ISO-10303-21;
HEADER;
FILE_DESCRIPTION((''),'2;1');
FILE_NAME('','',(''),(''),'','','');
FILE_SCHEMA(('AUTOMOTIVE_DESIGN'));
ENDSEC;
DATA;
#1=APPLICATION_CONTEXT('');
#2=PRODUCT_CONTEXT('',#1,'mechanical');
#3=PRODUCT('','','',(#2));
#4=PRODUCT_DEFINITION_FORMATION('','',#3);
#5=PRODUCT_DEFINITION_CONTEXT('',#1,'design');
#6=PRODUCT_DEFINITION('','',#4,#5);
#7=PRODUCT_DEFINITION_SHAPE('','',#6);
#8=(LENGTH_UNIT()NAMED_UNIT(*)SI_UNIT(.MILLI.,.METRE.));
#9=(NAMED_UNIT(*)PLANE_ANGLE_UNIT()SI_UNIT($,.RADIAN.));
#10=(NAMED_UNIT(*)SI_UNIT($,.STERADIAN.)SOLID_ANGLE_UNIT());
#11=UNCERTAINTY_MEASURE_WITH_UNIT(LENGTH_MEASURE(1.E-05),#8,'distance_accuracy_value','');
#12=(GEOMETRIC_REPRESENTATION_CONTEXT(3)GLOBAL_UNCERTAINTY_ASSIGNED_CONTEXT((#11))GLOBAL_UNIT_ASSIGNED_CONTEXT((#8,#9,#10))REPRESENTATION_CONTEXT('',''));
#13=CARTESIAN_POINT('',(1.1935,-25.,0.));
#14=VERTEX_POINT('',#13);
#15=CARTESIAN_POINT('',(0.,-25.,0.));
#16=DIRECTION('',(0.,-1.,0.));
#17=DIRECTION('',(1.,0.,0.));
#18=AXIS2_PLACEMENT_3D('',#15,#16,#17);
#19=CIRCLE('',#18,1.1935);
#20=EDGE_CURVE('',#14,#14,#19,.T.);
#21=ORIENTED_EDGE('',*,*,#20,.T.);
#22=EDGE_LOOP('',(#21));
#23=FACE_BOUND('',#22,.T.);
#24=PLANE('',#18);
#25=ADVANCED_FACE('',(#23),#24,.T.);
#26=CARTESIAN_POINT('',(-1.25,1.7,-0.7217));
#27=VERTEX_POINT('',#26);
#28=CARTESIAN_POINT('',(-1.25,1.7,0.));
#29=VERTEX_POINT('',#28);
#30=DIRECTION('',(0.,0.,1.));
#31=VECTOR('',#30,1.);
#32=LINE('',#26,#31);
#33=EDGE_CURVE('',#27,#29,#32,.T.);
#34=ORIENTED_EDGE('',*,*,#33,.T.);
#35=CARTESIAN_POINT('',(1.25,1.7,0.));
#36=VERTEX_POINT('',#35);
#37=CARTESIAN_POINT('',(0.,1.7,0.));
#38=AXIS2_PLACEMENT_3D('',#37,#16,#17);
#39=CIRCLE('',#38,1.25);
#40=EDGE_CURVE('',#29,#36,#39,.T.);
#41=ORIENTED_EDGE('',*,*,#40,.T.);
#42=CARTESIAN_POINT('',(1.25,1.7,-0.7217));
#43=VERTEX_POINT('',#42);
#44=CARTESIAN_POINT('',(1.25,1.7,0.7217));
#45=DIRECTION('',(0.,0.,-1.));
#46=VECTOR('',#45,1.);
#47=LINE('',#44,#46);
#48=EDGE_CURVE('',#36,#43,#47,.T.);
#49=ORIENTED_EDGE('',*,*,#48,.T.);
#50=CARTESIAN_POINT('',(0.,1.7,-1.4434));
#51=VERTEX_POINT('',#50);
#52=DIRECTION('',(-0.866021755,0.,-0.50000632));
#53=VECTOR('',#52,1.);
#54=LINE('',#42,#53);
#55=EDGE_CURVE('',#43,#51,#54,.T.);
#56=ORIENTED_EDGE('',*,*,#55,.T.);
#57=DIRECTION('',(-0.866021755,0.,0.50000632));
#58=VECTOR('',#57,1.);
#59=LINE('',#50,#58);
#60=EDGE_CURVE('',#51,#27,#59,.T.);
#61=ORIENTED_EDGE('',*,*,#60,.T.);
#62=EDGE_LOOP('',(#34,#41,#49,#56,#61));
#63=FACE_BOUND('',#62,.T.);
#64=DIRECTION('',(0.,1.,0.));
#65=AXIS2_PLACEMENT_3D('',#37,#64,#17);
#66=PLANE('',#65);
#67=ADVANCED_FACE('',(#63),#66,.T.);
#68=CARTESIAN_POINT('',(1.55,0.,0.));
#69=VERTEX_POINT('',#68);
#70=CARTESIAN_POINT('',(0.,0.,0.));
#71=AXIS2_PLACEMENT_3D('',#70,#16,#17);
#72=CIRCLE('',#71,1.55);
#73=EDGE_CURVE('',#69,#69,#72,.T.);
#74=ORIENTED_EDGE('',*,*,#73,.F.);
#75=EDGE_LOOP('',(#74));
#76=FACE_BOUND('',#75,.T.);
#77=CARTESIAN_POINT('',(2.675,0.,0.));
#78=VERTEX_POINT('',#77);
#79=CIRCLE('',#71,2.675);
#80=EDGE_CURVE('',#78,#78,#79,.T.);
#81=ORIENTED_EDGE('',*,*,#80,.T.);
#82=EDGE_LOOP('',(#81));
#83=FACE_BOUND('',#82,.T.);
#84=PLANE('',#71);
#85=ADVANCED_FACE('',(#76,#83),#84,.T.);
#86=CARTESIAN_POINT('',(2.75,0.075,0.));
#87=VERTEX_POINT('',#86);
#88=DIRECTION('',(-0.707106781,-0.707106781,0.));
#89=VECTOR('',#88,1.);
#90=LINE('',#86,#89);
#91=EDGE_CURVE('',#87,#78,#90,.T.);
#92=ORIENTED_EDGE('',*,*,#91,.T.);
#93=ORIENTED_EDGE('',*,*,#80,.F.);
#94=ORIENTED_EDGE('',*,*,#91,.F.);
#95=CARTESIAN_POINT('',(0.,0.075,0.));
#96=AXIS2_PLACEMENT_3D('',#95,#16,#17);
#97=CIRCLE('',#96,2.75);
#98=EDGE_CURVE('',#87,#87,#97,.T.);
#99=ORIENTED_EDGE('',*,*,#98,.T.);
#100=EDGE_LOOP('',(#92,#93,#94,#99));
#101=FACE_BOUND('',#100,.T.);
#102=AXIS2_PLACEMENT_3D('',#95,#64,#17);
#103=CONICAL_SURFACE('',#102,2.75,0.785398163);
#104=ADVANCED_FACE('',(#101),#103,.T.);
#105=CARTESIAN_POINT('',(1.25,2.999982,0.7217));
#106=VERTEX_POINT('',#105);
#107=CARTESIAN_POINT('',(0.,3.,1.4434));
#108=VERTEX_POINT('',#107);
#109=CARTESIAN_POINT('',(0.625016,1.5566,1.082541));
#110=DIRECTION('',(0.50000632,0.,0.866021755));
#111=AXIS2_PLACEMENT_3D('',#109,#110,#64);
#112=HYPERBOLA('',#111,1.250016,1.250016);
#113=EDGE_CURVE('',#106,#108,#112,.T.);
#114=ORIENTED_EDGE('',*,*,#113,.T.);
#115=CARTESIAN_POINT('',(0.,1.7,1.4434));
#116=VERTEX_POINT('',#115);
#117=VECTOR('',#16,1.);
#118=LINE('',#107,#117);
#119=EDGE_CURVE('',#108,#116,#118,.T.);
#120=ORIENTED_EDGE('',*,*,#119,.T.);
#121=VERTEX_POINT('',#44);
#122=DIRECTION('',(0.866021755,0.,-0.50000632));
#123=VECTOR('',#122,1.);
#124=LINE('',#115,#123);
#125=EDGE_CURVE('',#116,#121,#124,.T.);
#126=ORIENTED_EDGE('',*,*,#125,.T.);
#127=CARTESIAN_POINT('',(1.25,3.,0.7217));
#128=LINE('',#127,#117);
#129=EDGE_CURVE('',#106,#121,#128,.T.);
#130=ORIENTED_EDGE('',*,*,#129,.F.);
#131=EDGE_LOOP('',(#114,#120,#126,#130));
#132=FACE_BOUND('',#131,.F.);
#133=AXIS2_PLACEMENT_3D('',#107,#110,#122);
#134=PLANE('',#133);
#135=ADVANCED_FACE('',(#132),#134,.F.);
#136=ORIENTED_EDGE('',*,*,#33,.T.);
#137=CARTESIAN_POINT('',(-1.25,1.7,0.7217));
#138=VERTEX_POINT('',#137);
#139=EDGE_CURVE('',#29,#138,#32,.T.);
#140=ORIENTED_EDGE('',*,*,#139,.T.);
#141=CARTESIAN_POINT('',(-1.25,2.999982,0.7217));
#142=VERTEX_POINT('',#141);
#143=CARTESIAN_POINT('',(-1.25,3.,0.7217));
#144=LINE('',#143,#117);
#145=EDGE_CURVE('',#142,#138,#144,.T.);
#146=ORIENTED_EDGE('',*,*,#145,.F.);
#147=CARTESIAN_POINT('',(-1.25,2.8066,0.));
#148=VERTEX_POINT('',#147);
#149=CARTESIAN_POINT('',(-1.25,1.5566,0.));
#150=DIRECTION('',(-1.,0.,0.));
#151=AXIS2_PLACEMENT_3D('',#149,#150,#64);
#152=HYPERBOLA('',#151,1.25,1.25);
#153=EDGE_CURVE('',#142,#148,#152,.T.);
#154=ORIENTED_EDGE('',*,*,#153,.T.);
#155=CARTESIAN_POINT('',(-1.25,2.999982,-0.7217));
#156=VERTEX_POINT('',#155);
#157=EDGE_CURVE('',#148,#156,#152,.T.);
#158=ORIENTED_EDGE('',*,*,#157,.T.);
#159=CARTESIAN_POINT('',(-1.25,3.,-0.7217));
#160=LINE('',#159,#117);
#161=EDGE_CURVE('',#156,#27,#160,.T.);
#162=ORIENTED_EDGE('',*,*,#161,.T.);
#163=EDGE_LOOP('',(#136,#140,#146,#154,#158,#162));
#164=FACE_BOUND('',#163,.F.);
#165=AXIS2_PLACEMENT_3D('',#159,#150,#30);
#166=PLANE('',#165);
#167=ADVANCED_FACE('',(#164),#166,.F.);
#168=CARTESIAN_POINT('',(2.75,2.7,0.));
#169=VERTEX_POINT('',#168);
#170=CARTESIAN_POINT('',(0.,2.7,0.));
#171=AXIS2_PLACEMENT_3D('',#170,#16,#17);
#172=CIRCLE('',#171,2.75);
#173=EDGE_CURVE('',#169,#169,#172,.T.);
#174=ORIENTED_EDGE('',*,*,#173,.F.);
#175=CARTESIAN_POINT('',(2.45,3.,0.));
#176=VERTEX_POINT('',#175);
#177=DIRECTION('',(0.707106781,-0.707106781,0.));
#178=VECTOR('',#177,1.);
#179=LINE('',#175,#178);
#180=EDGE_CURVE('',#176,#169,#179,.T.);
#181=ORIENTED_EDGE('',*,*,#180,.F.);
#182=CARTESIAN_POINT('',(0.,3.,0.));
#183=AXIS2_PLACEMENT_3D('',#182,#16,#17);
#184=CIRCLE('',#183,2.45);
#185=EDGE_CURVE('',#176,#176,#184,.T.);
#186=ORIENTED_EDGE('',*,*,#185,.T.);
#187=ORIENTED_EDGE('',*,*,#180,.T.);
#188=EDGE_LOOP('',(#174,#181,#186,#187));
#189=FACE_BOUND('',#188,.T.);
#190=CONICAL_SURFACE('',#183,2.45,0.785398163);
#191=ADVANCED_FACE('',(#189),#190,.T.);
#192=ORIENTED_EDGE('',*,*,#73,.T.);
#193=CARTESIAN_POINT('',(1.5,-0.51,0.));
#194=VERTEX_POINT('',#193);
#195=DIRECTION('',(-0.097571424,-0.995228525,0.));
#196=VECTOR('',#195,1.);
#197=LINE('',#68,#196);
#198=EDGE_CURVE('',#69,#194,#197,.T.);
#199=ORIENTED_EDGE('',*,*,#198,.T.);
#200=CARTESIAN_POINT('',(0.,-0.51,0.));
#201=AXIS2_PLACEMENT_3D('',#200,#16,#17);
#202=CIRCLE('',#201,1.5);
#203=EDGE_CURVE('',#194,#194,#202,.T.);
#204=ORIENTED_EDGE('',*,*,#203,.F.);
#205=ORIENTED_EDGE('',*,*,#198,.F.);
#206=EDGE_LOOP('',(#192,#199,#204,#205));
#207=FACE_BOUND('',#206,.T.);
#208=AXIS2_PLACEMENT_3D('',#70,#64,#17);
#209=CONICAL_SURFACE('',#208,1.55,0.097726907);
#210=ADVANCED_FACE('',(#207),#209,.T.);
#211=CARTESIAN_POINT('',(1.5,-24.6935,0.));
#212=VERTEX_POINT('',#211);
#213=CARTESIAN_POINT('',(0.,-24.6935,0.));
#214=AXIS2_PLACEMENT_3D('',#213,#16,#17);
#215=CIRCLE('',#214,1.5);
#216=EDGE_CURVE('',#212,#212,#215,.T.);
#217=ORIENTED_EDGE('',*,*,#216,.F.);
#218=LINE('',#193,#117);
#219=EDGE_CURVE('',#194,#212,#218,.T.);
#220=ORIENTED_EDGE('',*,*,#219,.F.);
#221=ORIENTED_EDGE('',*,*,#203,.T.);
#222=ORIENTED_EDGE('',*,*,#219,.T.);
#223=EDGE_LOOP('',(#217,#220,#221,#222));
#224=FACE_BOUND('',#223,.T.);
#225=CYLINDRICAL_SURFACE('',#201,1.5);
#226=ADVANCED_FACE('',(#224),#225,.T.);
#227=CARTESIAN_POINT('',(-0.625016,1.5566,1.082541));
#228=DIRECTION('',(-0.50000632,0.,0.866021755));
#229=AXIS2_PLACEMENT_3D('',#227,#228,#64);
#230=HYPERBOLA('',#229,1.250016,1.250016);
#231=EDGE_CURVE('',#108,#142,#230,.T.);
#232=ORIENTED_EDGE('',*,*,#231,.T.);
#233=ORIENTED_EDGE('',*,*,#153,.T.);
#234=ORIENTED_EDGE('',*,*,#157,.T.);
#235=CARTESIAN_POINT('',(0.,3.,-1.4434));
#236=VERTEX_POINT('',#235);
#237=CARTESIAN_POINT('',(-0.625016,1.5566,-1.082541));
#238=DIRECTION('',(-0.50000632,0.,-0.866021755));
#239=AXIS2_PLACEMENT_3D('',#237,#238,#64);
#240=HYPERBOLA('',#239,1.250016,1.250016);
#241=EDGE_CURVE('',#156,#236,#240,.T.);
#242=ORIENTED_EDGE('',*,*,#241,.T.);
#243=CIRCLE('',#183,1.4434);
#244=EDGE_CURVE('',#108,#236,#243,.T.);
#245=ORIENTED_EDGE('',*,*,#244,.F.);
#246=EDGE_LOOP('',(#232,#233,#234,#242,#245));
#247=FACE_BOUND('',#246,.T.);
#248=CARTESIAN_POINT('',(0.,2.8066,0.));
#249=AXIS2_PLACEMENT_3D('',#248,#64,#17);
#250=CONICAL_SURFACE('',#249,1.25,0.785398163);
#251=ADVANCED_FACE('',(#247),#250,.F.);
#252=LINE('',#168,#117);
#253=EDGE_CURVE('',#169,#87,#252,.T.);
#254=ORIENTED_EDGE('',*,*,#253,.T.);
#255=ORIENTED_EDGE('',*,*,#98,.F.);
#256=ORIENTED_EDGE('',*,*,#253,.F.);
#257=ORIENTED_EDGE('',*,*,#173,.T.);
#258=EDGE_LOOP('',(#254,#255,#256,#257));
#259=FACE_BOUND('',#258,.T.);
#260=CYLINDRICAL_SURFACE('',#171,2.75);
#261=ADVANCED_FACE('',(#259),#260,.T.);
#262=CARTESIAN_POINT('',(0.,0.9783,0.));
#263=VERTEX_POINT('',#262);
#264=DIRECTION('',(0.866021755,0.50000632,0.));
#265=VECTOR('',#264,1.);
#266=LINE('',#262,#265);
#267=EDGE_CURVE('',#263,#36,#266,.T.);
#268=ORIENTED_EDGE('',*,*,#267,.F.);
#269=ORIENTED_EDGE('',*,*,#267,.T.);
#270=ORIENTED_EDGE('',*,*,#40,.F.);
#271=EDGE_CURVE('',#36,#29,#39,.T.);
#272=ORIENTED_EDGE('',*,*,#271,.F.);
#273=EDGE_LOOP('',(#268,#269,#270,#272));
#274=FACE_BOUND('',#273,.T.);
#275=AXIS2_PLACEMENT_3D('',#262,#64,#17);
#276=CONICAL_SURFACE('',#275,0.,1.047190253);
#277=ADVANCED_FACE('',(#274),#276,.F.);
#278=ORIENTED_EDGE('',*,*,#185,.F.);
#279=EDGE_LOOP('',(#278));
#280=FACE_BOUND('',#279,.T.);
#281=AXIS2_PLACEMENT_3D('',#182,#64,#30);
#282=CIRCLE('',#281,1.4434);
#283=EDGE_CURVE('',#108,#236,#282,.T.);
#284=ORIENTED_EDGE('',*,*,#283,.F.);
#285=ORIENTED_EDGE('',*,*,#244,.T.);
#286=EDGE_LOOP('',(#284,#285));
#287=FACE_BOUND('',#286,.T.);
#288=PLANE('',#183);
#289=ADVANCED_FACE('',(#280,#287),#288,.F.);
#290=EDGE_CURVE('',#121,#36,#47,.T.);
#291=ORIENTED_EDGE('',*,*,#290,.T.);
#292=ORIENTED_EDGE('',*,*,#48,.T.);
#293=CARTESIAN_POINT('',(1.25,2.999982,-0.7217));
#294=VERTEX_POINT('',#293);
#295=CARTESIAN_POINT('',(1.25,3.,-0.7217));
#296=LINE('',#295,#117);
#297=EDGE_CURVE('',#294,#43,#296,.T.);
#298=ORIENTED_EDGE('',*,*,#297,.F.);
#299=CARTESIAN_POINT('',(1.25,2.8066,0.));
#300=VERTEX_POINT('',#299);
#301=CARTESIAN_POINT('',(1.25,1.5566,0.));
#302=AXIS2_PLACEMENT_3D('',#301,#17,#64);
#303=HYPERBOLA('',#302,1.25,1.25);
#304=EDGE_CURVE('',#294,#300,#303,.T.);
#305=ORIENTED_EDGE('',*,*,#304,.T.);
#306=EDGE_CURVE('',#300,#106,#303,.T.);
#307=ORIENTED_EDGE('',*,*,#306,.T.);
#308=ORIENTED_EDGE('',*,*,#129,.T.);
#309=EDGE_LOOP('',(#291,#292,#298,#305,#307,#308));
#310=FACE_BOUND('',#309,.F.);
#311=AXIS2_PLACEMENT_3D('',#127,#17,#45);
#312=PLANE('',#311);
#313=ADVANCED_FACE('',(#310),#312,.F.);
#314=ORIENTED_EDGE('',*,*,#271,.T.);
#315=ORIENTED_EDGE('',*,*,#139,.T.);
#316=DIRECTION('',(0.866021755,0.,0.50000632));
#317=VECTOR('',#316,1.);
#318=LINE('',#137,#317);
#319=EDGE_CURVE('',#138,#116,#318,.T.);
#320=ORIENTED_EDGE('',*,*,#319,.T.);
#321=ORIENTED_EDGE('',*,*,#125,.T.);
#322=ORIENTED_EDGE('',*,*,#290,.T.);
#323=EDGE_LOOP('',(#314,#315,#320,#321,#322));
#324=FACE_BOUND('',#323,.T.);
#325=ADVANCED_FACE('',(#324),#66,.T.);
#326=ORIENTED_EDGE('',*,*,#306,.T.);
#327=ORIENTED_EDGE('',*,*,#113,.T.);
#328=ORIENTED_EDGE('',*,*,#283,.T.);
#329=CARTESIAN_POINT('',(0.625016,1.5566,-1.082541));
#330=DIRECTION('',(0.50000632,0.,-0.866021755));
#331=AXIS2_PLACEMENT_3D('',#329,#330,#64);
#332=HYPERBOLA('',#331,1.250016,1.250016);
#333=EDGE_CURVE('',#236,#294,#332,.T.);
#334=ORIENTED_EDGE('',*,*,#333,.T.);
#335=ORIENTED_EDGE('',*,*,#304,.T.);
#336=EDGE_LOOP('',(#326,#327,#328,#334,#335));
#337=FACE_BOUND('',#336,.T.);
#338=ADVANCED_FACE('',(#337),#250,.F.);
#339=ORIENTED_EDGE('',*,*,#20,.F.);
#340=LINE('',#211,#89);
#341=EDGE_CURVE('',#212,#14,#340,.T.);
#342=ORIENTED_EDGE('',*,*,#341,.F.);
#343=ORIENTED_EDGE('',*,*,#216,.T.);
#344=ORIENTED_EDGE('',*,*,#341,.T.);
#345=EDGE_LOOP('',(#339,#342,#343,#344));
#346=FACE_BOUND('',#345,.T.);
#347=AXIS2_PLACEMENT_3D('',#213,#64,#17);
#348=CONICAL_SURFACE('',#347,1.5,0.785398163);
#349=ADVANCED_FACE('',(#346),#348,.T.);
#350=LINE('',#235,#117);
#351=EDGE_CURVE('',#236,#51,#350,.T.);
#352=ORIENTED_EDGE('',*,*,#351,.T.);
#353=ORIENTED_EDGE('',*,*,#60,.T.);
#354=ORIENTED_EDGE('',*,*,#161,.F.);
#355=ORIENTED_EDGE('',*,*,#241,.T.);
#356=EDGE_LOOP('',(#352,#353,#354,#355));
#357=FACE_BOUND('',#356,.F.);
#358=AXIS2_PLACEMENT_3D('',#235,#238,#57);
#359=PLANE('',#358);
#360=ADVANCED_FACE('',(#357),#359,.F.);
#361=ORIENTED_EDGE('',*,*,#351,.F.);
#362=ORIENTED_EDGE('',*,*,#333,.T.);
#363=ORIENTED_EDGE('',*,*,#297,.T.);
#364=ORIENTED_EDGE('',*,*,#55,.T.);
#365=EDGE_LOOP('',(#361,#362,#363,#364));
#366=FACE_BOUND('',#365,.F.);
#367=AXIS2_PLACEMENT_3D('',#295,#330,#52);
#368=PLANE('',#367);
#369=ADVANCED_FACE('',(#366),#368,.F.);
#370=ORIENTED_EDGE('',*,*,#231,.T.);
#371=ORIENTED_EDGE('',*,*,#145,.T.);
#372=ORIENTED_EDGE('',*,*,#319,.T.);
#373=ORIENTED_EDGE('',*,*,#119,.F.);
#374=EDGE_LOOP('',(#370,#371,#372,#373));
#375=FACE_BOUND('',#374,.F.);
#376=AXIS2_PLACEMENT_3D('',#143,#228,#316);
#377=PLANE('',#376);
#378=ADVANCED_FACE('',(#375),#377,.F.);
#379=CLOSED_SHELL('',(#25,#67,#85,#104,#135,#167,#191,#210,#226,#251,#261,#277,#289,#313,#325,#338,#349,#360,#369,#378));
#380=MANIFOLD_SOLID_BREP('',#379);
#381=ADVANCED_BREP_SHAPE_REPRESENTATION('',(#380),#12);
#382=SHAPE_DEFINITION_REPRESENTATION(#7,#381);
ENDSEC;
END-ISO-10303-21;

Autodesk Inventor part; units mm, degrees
sketch "Sketch_1" plane through (0, 0, 0) normal (0, 0, 1) x (1, 0, 0)
  line L0 (0, -25) -> (0, 3)
  line L1 (0, 0.9783) -> (1.25, 1.7)
  line L2 (1.25, 1.7) -> (1.25, 2.8066)
  line L3 (1.25, 2.8066) -> (1.4434, 3)
  line L4 (1.4434, 3) -> (2.45, 3)
  line L5 (2.45, 3) -> (2.75, 2.7)
  line L6 (2.75, 2.7) -> (2.75, 0.075)
  line L7 (2.75, 0.075) -> (2.675, 0)
  line L8 (2.675, 0) -> (1.55, 0)
  line L9 (1.55, 0) -> (1.5, -0.51)
  line L10 (1.5, -0.51) -> (1.5, -24.6935)
  line L11 (1.5, -24.6935) -> (1.1935, -25)
  line L12 (1.1935, -25) -> (0, -25)
  line L13 (0, -25) -> (0, 0.9783)
revolve "Revolution1" add sketch "Sketch_1" angle 360 about axis through (0, -25, 0) along (0, -1, 0)
thread "Thread1" size "M3x0.5" class "6g" standard "ISO Metric profile" length 17.6935
sketch "Sketch_2" plane through (0, 3, 0) normal (0, 1, 0) x (1, 0, 0)
  line L0 (-1.25, -0.7217) -> (0, -1.4434)
  line L1 (0, -1.4434) -> (1.25, -0.7217)
  line L2 (1.25, -0.7217) -> (1.25, 0.7217)
  line L3 (1.25, 0.7217) -> (0, 1.4434)
  line L4 (0, 1.4434) -> (-1.25, 0.7217)
  line L5 (-1.25, 0.7217) -> (-1.25, -0.7217)
extrude "Extrusion1" cut sketch "Sketch_2" against normal blind 1.3
ref_plane "ANBAU_XY" through (0, 0, 0) normal (0, 1, 0) x (1, 0, 0)
ref_plane "ANBAU_YZ" through (0, 0, 0) normal (1, 0, 0) x (0, 0, -1)
ref_plane "ANBAU_ZX" through (0, 0, 0) normal (0, 0, -1) x (0, 1, 0)
ref_plane "Schraube_XY" through (0, 0, 0) normal (0, 1, 0) x (1, 0, 0)
ref_plane "Schraube_YZ" through (0, 0, 0) normal (1, 0, 0) x (0, 0, -1)
ref_plane "Schraube_ZX" through (0, 0, 0) normal (0, 0, -1) x (0, 1, 0)
ref_plane "insert_XY" through (0, 0, 0) normal (0, 1, 0) x (1, 0, 0)
ref_plane "insert_YZ" through (0, 0, 0) normal (1, 0, 0) x (0, 0, -1)
ref_plane "insert_ZX" through (0, 0, 0) normal (0, 0, -1) x (0, 1, 0)
ref_plane "schrauben_punkt_XY" through (0, -25, 0) normal (0, 1, 0) x (1, 0, 0)
ref_plane "schrauben_punkt_YZ" through (0, -25, 0) normal (1, 0, 0) x (0, 0, -1)
ref_plane "schrauben_punkt_ZX" through (0, -25, 0) normal (0, 0, -1) x (0, 1, 0)
properties part number "DIN-912 - M3x25(F)"
